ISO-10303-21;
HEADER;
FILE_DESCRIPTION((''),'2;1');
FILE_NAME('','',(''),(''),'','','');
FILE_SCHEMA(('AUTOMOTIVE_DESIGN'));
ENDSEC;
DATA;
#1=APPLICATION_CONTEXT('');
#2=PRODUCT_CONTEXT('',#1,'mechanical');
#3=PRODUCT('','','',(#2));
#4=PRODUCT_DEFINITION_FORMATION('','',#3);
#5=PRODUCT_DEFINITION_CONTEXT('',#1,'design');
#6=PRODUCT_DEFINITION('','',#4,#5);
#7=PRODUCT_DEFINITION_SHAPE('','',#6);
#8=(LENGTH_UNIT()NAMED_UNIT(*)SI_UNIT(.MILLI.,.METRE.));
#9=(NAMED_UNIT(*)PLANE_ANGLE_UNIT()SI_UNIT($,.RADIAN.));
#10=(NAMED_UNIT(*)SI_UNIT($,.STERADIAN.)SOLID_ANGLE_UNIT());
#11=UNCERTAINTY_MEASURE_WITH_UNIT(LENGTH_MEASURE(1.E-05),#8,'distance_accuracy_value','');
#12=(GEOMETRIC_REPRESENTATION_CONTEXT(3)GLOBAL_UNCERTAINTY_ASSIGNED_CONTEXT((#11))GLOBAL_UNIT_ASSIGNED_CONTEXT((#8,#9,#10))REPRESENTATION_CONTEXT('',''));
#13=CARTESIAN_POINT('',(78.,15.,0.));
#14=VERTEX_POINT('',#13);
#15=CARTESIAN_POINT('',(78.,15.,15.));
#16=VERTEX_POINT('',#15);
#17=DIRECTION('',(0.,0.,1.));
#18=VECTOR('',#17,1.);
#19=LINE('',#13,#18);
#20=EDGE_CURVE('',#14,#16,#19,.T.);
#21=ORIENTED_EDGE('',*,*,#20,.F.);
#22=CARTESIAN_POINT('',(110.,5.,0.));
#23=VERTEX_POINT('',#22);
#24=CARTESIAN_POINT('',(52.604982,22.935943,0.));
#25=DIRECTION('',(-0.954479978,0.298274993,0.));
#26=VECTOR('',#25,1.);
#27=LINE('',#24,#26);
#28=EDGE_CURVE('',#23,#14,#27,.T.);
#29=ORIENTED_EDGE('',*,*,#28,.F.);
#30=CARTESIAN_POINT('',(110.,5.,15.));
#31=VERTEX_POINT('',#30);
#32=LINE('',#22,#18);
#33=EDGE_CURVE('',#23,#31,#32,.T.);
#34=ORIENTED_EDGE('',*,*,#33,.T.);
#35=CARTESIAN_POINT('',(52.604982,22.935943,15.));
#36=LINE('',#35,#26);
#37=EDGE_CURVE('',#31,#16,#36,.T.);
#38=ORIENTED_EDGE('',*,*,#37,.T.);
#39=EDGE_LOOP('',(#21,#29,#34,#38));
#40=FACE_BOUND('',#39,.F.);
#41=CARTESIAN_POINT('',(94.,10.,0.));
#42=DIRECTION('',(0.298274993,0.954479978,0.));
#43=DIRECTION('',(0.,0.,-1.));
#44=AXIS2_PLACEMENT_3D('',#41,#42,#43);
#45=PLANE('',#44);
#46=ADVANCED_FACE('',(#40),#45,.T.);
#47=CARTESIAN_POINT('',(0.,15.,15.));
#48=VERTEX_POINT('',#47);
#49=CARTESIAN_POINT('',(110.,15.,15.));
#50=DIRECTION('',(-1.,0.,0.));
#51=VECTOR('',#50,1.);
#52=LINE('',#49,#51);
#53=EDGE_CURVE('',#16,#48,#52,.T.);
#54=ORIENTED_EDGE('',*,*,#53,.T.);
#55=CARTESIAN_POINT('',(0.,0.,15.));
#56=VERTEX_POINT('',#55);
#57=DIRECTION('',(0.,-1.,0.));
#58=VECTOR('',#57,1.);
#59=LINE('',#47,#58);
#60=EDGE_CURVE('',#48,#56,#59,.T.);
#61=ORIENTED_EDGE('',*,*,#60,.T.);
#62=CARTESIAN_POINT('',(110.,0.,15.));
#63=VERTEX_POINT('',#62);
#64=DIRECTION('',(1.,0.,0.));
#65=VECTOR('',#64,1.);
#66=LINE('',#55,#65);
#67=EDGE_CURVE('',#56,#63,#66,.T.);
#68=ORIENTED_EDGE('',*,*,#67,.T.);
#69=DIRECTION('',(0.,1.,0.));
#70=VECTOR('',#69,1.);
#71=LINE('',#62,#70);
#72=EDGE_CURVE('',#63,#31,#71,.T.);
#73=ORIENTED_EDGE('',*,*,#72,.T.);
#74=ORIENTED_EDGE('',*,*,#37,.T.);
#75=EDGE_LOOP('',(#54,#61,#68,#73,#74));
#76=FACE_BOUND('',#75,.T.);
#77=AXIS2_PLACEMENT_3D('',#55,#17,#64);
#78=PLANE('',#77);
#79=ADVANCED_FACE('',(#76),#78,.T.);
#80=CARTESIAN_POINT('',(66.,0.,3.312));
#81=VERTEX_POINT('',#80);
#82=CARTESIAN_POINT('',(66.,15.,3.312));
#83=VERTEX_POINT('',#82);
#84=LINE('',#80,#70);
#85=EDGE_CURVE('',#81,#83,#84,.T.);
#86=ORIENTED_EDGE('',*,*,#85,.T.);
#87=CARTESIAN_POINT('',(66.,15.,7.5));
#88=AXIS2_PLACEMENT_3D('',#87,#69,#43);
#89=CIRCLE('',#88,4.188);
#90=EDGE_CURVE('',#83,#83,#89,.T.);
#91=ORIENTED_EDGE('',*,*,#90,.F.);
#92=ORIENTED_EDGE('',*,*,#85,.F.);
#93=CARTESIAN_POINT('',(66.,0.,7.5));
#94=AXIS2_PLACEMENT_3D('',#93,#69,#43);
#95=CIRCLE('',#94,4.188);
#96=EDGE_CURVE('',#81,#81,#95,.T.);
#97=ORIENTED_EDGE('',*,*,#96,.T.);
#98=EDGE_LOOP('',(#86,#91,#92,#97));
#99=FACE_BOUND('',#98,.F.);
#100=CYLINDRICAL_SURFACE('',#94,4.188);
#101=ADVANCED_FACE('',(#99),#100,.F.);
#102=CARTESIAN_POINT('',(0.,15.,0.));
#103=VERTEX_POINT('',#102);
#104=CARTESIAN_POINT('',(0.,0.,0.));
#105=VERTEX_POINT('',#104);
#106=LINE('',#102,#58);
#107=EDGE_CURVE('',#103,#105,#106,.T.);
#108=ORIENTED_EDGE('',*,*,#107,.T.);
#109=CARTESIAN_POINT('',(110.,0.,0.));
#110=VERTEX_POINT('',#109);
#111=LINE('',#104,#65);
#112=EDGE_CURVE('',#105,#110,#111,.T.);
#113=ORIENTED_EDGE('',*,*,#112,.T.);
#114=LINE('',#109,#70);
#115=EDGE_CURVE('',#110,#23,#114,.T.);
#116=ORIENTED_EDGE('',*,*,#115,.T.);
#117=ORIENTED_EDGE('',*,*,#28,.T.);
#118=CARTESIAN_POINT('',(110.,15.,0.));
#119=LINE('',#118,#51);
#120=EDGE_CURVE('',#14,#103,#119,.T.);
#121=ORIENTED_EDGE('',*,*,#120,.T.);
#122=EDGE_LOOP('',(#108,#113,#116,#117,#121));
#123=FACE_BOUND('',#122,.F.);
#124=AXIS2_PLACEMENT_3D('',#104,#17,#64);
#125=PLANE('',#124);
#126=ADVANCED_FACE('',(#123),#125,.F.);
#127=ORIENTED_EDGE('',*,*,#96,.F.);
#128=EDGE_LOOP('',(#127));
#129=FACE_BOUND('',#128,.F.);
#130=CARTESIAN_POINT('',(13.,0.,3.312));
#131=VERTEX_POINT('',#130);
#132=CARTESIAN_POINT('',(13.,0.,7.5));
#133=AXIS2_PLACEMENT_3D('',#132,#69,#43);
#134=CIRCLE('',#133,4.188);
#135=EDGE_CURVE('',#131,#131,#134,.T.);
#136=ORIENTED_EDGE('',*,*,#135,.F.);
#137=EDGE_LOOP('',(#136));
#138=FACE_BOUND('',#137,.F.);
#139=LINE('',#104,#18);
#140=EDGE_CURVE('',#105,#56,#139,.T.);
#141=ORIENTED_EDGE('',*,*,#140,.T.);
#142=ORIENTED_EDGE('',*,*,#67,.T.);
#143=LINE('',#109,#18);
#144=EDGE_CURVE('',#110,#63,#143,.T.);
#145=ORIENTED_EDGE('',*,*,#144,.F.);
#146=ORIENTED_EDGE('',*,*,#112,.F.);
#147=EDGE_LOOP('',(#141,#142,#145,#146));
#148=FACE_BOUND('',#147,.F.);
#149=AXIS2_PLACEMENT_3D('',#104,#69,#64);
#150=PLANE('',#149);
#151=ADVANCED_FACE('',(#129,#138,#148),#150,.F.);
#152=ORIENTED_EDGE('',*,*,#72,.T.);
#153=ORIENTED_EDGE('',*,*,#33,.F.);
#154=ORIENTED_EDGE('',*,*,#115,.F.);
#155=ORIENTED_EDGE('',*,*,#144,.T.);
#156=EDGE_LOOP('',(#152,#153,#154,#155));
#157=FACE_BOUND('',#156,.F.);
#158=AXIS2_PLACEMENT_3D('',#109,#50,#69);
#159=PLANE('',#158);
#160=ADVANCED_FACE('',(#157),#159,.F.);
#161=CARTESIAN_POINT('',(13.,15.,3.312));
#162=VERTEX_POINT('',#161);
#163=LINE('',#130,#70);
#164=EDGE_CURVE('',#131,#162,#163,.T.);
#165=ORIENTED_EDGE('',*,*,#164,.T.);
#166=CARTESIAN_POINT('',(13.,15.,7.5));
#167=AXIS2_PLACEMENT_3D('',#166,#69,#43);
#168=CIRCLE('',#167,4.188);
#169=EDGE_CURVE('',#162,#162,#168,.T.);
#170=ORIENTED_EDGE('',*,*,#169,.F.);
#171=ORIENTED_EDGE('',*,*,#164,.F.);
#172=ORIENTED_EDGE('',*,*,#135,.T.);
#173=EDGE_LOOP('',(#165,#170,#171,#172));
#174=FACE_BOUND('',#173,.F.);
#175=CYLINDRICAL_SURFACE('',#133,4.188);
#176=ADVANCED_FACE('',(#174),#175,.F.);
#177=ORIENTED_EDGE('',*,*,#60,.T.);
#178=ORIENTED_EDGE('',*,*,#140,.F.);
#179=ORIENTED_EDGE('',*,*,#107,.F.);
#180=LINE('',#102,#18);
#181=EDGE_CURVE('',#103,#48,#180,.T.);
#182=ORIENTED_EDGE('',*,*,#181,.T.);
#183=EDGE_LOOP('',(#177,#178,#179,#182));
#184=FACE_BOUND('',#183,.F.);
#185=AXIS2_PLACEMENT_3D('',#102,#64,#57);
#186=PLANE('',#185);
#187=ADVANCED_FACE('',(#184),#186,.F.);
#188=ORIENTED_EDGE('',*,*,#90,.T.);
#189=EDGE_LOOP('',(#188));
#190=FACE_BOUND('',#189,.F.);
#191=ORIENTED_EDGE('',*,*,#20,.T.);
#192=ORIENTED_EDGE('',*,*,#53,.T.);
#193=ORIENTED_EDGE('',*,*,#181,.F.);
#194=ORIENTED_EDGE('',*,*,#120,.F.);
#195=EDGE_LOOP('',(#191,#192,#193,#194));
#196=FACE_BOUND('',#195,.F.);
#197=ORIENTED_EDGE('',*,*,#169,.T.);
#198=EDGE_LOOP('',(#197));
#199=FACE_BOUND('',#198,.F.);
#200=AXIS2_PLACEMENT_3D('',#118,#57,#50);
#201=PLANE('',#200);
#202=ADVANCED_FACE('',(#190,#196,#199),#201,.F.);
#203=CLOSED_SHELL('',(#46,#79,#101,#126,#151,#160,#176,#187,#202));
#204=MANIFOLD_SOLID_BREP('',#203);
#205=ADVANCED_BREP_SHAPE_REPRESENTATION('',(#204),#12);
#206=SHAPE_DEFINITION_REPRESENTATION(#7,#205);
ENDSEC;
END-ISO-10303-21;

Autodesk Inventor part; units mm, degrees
ref_plane "YZ Plane" through (0, 0, 0) normal (1, 0, 0) x (0, 1, 0)
ref_plane "XZ Plane" through (0, 0, 0) normal (0, 1, 0) x (-1, 0, 0)
ref_plane "XY Plane" through (0, 0, 0) normal (0, 0, 1) x (1, 0, 0)
sketch "Esboço1" plane through (0, 0, 0) normal (0, 0, 1) x (1, 0, 0)
  line L0 (0, 0) -> (110, 0)
  line L1 (110, 0) -> (110, 15)
  line L2 (110, 15) -> (0, 15)
  line L3 (0, 15) -> (0, 0)
  dimension "d0" = 110
  dimension "d1" = 15
extrude "Extrusão1" add sketch "Esboço1" along normal blind 15
chamfer "Chanfro1" distance 10 distance2 32 1 edges at (110, 15, 7.5) measured on face at (110, 5, 5)
sketch "Esboço2" plane through (0, 0, 0) normal (0, -1, 0) x (1, 0, 0)
  line L0 (0, 15) -> (110, 15) projected
  line L1 (0, 0) -> (0, 15) projected
  point P0 (13, 7.5)
  point P1 (66, 7.5)
  dimension "d7" = 7.5
  dimension "d8" = 13
  dimension "d25" = 53
hole "Furo1" at (13, 0, 7.5) at (66, 0, 7.5) direction (0, 1, 0) diameter 8.376 end through all thread size "M10x1.5" class "6H" standard "ISO Metric profile"
properties part number "Garra2"
